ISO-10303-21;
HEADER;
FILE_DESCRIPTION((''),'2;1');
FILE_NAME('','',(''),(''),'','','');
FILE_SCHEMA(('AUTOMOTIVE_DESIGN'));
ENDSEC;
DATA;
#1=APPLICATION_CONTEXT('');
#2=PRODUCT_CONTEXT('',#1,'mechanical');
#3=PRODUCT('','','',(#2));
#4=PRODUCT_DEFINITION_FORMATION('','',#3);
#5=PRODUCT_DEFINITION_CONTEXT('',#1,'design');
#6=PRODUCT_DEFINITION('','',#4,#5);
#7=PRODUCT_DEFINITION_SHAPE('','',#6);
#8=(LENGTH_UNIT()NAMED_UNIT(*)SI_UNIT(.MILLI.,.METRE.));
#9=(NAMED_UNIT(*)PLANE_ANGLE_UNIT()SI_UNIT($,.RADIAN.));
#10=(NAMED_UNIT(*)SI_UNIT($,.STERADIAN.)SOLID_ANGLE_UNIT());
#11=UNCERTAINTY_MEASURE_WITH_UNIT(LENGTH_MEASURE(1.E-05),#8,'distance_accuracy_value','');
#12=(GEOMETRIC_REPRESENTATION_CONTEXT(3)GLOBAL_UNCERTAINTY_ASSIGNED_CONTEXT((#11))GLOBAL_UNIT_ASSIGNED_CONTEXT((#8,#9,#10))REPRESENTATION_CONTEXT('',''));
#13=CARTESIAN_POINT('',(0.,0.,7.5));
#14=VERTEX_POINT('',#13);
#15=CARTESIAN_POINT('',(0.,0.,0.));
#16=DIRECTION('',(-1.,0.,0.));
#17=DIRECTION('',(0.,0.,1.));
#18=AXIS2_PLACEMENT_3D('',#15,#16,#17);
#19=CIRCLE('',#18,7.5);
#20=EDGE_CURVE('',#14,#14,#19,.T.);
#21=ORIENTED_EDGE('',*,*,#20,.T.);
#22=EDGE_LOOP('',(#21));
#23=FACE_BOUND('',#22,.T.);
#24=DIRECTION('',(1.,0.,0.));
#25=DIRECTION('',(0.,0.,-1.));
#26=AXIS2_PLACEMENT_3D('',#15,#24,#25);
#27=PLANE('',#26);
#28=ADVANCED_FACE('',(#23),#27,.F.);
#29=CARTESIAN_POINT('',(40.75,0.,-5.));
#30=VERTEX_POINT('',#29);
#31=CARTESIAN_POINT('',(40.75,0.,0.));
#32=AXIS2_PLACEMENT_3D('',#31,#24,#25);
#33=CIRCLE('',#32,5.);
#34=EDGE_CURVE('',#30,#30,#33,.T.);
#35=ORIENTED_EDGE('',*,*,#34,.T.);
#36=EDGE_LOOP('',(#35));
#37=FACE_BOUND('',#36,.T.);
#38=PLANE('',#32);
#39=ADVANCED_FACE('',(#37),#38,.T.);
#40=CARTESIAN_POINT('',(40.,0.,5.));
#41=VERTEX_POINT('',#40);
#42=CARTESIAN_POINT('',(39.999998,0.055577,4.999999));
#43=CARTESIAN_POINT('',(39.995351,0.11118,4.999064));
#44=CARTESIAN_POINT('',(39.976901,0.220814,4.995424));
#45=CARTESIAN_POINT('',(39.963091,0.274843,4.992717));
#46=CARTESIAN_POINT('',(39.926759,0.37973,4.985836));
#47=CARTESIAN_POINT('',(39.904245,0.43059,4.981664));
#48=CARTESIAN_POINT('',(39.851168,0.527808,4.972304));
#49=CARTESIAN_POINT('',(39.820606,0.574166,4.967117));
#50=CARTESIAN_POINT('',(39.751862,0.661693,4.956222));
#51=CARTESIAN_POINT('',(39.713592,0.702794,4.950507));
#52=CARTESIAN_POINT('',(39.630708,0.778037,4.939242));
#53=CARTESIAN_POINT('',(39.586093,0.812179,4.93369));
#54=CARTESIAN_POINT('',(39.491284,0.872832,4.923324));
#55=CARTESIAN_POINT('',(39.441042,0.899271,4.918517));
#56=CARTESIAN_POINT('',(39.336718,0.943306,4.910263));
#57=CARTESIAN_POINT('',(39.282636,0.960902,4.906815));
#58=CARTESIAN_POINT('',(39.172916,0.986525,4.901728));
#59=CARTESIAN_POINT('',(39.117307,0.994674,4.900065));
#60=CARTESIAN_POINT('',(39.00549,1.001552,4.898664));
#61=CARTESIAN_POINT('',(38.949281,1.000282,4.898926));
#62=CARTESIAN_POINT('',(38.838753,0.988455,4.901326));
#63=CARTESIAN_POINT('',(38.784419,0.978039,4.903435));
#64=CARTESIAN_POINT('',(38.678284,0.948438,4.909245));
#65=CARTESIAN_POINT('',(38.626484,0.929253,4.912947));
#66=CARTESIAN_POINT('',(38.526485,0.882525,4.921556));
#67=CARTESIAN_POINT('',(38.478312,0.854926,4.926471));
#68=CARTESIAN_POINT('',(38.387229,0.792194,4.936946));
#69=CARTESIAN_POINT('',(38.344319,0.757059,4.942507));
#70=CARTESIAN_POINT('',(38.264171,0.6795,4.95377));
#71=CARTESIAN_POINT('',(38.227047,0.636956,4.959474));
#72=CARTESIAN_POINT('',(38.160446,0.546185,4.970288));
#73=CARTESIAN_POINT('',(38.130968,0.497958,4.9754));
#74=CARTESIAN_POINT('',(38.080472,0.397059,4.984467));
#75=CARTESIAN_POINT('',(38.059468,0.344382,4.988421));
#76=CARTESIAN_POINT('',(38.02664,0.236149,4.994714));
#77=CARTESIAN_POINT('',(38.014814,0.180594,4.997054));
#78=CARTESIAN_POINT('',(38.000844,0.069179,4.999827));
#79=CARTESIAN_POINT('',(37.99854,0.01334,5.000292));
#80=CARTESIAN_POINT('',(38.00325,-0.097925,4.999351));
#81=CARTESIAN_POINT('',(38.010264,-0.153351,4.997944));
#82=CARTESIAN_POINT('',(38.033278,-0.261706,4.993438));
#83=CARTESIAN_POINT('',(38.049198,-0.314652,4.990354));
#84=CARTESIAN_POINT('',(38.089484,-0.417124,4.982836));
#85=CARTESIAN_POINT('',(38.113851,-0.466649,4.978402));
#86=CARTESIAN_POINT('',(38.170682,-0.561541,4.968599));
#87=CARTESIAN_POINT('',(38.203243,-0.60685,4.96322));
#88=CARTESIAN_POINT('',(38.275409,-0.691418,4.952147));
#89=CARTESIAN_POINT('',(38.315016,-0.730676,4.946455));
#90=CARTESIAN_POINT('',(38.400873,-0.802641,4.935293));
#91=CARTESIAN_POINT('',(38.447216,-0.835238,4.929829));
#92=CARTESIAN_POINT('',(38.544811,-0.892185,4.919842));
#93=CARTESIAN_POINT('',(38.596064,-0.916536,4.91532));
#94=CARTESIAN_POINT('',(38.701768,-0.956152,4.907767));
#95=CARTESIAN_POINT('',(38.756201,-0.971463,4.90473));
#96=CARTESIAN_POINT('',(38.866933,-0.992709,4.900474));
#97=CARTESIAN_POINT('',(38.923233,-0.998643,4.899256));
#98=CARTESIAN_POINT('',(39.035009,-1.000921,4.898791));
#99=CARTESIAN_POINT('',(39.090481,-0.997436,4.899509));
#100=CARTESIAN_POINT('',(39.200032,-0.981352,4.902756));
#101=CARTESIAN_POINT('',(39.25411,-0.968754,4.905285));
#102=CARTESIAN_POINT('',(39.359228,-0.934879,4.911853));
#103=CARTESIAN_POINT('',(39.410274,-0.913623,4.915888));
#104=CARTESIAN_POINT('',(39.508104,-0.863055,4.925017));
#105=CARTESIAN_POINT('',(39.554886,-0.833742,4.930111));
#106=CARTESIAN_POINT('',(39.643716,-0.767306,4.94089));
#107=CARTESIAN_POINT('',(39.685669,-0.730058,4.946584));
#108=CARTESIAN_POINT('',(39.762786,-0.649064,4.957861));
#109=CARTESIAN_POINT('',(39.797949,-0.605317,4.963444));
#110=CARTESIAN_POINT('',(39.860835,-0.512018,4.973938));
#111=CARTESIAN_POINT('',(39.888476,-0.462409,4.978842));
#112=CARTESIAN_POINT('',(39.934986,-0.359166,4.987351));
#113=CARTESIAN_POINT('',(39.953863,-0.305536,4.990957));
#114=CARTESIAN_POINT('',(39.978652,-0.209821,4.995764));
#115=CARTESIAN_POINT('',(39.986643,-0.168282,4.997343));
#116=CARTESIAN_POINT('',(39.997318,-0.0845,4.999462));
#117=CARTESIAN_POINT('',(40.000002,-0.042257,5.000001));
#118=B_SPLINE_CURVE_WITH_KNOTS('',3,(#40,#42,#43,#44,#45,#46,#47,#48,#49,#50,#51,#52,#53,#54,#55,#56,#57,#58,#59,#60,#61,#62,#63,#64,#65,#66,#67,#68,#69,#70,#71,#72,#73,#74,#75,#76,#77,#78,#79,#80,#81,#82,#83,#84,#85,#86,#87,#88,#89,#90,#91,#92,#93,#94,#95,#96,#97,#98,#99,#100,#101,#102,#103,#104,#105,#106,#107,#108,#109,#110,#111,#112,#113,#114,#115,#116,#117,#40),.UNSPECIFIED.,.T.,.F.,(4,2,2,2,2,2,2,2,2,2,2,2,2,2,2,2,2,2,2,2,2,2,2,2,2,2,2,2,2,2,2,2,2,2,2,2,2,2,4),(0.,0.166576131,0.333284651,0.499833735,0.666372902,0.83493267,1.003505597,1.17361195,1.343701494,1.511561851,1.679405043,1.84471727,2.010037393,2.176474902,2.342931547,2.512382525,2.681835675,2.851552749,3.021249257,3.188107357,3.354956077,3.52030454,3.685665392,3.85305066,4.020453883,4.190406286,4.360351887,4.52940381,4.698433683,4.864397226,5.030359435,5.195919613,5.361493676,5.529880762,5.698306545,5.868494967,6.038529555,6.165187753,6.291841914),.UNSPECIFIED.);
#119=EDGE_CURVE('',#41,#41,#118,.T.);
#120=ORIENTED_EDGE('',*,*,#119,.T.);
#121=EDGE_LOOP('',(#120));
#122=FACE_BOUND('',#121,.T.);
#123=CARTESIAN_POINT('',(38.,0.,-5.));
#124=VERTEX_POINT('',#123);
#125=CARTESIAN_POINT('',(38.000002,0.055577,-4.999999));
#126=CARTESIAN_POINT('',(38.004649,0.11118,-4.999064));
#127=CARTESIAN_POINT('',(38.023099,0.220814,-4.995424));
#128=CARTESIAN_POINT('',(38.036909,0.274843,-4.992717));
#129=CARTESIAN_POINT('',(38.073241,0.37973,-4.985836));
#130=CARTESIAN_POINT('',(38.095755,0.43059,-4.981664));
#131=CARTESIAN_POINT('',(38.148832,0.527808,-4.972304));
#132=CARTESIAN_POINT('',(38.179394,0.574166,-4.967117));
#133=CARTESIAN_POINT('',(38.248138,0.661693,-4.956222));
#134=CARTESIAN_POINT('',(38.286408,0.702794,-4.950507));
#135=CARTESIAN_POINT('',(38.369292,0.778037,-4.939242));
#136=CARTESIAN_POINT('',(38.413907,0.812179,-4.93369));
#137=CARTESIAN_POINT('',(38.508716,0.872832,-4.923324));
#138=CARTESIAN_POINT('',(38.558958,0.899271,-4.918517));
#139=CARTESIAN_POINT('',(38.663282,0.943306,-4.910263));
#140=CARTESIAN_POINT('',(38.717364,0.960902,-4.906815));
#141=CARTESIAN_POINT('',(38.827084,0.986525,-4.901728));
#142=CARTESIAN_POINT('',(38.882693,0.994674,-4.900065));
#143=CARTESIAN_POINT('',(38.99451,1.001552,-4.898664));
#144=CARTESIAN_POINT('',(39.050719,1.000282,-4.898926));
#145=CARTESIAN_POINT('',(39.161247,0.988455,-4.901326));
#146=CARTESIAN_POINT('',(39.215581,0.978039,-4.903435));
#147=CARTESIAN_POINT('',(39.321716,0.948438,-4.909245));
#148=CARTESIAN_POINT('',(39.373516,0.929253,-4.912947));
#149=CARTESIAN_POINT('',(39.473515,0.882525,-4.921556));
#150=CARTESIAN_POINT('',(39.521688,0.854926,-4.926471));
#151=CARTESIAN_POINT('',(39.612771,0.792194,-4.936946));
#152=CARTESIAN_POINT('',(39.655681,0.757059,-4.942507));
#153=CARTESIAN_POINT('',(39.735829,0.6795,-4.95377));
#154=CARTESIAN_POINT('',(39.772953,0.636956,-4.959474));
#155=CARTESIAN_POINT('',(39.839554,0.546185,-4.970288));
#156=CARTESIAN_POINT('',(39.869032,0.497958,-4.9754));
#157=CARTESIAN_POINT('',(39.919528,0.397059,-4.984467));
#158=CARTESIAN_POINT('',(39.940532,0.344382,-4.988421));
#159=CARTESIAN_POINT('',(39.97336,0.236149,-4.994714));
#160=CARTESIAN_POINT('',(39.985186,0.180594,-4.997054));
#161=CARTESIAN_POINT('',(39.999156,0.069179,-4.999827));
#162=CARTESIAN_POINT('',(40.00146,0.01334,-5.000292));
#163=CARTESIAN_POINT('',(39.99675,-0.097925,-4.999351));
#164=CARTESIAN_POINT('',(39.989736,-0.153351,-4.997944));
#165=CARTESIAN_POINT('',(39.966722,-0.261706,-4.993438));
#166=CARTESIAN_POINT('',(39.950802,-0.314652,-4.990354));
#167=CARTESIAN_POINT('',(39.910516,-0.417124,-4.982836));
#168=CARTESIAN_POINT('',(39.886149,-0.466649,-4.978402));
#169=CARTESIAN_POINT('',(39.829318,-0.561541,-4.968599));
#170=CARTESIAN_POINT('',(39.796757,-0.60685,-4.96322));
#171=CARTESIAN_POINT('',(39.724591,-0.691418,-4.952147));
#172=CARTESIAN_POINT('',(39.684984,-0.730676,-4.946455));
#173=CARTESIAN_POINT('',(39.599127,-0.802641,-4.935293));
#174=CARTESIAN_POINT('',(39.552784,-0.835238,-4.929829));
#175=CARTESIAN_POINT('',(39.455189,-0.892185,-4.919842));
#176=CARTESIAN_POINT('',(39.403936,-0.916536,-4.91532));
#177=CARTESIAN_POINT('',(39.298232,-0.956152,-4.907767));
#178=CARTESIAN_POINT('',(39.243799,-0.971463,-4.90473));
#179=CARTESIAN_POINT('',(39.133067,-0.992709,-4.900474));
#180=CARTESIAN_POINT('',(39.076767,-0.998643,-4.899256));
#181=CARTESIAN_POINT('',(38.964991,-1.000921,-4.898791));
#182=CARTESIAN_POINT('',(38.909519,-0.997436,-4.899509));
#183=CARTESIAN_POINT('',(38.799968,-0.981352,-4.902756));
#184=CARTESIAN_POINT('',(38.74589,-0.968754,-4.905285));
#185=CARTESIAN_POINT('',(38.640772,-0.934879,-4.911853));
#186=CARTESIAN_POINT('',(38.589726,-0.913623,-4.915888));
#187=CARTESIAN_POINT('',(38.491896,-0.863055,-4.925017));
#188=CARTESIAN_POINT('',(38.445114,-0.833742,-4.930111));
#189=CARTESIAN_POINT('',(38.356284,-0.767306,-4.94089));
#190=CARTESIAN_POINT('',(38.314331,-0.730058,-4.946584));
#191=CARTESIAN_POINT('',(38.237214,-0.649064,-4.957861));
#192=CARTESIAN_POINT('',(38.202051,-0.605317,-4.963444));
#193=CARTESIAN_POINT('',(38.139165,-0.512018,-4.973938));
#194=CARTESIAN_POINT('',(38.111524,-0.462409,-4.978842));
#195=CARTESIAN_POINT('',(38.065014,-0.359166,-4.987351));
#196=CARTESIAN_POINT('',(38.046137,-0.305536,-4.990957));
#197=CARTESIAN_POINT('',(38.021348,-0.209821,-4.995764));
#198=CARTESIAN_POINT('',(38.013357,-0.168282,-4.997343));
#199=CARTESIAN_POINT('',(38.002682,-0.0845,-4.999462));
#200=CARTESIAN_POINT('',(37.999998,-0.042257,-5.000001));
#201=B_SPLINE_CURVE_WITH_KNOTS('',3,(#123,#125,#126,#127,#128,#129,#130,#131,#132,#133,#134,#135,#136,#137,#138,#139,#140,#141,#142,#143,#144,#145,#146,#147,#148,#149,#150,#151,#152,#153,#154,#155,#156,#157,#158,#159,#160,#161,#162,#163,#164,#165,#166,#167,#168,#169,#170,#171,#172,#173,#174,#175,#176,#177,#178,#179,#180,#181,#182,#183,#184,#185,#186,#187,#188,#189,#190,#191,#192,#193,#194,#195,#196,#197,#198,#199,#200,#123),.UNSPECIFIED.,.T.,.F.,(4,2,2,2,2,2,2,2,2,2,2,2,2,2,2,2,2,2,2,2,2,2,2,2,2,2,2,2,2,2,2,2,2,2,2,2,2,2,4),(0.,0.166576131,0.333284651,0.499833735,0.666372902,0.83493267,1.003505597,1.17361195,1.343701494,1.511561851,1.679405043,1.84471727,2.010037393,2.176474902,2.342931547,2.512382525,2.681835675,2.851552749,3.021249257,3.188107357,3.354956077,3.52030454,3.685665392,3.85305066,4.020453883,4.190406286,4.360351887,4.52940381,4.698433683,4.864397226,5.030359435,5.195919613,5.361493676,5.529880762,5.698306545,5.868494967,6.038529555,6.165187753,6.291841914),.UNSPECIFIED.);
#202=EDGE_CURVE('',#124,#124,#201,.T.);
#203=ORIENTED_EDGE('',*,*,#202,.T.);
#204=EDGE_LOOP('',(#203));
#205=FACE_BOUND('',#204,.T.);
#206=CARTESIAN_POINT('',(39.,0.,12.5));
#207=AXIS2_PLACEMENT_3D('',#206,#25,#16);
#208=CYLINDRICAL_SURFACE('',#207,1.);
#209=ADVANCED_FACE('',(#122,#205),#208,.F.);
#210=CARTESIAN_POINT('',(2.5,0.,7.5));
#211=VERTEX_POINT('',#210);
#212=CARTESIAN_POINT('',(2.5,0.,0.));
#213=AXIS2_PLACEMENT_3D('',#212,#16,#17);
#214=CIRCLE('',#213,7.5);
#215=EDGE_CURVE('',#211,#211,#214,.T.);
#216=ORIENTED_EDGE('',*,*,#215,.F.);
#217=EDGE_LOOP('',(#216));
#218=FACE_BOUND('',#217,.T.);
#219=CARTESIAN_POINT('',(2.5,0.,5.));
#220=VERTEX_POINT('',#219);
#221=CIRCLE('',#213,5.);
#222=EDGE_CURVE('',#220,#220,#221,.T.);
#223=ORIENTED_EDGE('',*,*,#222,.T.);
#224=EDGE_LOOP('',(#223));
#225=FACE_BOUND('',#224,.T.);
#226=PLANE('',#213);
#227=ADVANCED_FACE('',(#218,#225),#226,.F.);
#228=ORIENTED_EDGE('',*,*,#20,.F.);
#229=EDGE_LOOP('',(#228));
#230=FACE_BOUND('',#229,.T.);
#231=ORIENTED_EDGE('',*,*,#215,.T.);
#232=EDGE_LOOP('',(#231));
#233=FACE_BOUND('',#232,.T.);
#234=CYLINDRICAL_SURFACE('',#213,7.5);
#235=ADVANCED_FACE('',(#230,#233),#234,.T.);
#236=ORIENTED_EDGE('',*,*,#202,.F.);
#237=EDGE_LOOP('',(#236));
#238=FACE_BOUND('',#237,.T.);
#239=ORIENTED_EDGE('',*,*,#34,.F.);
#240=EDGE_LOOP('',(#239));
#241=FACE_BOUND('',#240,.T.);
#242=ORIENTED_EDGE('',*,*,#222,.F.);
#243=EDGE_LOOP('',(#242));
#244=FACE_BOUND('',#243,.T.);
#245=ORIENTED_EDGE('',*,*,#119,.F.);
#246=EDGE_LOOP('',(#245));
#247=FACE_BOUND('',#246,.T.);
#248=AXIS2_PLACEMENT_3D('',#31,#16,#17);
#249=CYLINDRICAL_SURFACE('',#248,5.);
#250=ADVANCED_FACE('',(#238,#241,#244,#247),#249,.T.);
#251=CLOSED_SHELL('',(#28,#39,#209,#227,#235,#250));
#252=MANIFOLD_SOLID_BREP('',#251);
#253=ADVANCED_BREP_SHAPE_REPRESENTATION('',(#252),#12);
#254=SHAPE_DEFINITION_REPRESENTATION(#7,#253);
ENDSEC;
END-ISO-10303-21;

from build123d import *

# Parameters (mm, degrees)
SKETCH1_R               = 10
BOSS_EXTRUDE1_DEPTH     = 81.5
CUT_EXTRUDE1_DEPTH      = 25
CUT_EXTRUDE1_DEPTH_BACK = 19
SKETCH3_R               = 2
SKETCH4_R               = 15
BOSS_EXTRUDE2_DEPTH     = 5
SCALE1_SCALE            = 0.5


with BuildPart() as part:
    # Sketch1 → Boss-Extrude1 (new body)
    with BuildSketch(Plane(origin=(0, 0, 0), x_dir=(0, 0, -1), z_dir=(1, 0, 0))):
        Circle(SKETCH1_R)
    extrude(amount=BOSS_EXTRUDE1_DEPTH)

    # Sketch3 → Cut-Extrude1 (cut, two sides: drawn at the far end of the back side and taken through both)
    with BuildSketch(Plane.XY.offset(-CUT_EXTRUDE1_DEPTH_BACK)):
        with Locations((78, 0)):
            Circle(SKETCH3_R)
    extrude(amount=CUT_EXTRUDE1_DEPTH + CUT_EXTRUDE1_DEPTH_BACK, mode=Mode.SUBTRACT)

    # Sketch4 → Boss-Extrude2 (add)
    with BuildSketch(Plane.ZY):
        Circle(SKETCH4_R)
    extrude(amount=-BOSS_EXTRUDE2_DEPTH)


with BuildPart() as part_1:
    # Scale1: scaled about (0, 0, 0)
    add(part.part.scale(SCALE1_SCALE))


solid = part_1.part
